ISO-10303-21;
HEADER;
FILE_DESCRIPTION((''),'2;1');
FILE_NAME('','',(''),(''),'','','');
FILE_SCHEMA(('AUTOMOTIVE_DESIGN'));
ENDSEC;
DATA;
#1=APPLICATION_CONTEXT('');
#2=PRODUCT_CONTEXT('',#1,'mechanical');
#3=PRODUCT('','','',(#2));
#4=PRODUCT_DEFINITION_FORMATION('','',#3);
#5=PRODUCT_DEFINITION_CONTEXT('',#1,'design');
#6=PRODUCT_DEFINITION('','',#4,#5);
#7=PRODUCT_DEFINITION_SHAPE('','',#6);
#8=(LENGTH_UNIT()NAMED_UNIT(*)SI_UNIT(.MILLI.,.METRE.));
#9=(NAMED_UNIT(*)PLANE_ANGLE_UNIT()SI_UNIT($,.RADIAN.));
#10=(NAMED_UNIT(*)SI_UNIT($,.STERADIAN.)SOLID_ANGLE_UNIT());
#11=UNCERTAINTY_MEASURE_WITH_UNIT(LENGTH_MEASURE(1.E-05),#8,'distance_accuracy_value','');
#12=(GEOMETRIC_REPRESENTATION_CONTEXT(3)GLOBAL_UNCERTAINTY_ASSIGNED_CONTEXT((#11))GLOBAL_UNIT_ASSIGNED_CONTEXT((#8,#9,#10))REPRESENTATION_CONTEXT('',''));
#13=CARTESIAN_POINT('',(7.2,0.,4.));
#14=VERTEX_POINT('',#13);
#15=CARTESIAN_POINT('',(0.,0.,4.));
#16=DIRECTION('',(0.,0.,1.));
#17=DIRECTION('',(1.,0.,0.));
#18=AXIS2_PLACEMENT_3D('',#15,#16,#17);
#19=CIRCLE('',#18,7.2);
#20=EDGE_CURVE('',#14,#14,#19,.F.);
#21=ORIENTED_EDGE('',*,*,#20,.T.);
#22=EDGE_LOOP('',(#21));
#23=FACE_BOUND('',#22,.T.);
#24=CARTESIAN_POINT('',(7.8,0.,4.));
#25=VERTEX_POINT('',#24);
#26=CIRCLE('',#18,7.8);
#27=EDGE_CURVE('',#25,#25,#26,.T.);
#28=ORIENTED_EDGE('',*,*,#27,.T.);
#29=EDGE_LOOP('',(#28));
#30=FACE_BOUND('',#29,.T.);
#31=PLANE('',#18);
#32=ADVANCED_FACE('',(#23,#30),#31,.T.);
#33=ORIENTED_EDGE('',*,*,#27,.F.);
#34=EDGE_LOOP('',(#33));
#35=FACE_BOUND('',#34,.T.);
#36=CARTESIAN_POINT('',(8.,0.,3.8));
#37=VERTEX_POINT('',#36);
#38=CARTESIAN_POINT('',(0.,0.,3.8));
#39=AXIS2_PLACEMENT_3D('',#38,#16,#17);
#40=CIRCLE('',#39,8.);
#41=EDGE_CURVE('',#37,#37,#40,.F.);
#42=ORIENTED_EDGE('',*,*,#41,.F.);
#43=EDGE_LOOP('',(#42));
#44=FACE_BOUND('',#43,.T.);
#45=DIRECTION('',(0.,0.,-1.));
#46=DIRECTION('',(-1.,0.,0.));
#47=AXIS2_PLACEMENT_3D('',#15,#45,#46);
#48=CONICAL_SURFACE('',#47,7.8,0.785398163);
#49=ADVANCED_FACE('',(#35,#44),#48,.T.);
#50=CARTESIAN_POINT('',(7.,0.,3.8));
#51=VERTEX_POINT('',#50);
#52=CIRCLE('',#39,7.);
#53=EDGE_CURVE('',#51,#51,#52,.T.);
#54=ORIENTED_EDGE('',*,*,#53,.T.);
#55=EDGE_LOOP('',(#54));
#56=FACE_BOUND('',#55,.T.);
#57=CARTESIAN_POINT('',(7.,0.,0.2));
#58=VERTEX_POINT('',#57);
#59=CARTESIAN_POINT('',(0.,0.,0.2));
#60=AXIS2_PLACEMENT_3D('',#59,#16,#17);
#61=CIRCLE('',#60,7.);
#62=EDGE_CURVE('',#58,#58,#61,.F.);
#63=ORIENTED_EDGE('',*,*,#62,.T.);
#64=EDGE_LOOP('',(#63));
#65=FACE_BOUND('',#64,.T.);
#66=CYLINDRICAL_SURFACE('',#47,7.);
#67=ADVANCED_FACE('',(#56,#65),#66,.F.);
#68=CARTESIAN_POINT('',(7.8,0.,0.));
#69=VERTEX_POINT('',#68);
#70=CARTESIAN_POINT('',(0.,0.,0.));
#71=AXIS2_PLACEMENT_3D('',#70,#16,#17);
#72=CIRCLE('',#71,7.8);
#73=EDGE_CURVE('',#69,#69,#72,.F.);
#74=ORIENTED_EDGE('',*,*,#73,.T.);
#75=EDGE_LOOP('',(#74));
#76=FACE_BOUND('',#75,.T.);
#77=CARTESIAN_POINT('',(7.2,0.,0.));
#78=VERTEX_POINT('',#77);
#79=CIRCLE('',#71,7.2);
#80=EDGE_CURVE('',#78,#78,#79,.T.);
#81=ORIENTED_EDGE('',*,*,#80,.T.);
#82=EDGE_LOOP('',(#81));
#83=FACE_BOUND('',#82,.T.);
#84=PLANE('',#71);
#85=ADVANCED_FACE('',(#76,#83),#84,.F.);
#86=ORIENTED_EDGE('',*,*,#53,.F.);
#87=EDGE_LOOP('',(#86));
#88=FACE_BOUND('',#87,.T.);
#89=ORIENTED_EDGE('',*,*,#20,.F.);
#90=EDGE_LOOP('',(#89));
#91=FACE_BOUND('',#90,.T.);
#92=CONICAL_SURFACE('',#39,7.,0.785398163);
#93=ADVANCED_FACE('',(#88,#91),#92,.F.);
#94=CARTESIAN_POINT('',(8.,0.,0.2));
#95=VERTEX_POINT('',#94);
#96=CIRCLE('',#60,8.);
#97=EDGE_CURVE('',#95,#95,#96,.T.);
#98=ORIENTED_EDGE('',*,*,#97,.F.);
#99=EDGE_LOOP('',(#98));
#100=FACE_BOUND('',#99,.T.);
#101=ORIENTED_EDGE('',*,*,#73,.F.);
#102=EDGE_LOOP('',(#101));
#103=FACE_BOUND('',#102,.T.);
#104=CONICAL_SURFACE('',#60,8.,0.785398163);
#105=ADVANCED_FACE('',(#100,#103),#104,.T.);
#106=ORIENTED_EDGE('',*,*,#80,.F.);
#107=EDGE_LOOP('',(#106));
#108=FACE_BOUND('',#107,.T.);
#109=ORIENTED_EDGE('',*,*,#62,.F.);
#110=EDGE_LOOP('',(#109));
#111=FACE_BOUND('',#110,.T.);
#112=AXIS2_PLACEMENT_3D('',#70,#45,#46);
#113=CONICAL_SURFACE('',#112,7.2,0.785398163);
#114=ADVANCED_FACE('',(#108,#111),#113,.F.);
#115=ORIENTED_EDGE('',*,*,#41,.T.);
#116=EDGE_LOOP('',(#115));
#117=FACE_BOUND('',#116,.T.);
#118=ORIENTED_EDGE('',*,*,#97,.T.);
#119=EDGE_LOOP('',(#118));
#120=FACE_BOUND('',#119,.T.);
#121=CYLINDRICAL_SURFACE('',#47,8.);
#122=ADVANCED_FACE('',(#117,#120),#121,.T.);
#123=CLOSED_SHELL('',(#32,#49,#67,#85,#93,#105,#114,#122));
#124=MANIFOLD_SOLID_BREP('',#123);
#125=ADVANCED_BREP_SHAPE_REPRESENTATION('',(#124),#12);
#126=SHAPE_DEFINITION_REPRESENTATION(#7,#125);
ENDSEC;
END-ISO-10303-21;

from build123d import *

# Parameters (mm, degrees)
ESQUISSE1_R          = 8
ESQUISSE1_R_2        = 7
BASE_EXTRUSION_DEPTH = 4
CHANFREIN1_SIZE      = 0.2


with BuildPart() as part:
    # Esquisse1 → Base-Extrusion (new body)
    with BuildSketch(Plane.XY):
        Circle(ESQUISSE1_R)
        Circle(ESQUISSE1_R_2, mode=Mode.SUBTRACT)
    extrude(amount=BASE_EXTRUSION_DEPTH)

    # Chanfrein1
    chanfrein1_edges = [part.edges().sort_by_distance(p)[0] for p in [
        (-8, 0, 0),
        (-8, 0, 4),
        (-7, 0, 0),
        (-7, 0, 4),
    ]]
    chamfer(chanfrein1_edges, length=CHANFREIN1_SIZE)


solid = part.part
